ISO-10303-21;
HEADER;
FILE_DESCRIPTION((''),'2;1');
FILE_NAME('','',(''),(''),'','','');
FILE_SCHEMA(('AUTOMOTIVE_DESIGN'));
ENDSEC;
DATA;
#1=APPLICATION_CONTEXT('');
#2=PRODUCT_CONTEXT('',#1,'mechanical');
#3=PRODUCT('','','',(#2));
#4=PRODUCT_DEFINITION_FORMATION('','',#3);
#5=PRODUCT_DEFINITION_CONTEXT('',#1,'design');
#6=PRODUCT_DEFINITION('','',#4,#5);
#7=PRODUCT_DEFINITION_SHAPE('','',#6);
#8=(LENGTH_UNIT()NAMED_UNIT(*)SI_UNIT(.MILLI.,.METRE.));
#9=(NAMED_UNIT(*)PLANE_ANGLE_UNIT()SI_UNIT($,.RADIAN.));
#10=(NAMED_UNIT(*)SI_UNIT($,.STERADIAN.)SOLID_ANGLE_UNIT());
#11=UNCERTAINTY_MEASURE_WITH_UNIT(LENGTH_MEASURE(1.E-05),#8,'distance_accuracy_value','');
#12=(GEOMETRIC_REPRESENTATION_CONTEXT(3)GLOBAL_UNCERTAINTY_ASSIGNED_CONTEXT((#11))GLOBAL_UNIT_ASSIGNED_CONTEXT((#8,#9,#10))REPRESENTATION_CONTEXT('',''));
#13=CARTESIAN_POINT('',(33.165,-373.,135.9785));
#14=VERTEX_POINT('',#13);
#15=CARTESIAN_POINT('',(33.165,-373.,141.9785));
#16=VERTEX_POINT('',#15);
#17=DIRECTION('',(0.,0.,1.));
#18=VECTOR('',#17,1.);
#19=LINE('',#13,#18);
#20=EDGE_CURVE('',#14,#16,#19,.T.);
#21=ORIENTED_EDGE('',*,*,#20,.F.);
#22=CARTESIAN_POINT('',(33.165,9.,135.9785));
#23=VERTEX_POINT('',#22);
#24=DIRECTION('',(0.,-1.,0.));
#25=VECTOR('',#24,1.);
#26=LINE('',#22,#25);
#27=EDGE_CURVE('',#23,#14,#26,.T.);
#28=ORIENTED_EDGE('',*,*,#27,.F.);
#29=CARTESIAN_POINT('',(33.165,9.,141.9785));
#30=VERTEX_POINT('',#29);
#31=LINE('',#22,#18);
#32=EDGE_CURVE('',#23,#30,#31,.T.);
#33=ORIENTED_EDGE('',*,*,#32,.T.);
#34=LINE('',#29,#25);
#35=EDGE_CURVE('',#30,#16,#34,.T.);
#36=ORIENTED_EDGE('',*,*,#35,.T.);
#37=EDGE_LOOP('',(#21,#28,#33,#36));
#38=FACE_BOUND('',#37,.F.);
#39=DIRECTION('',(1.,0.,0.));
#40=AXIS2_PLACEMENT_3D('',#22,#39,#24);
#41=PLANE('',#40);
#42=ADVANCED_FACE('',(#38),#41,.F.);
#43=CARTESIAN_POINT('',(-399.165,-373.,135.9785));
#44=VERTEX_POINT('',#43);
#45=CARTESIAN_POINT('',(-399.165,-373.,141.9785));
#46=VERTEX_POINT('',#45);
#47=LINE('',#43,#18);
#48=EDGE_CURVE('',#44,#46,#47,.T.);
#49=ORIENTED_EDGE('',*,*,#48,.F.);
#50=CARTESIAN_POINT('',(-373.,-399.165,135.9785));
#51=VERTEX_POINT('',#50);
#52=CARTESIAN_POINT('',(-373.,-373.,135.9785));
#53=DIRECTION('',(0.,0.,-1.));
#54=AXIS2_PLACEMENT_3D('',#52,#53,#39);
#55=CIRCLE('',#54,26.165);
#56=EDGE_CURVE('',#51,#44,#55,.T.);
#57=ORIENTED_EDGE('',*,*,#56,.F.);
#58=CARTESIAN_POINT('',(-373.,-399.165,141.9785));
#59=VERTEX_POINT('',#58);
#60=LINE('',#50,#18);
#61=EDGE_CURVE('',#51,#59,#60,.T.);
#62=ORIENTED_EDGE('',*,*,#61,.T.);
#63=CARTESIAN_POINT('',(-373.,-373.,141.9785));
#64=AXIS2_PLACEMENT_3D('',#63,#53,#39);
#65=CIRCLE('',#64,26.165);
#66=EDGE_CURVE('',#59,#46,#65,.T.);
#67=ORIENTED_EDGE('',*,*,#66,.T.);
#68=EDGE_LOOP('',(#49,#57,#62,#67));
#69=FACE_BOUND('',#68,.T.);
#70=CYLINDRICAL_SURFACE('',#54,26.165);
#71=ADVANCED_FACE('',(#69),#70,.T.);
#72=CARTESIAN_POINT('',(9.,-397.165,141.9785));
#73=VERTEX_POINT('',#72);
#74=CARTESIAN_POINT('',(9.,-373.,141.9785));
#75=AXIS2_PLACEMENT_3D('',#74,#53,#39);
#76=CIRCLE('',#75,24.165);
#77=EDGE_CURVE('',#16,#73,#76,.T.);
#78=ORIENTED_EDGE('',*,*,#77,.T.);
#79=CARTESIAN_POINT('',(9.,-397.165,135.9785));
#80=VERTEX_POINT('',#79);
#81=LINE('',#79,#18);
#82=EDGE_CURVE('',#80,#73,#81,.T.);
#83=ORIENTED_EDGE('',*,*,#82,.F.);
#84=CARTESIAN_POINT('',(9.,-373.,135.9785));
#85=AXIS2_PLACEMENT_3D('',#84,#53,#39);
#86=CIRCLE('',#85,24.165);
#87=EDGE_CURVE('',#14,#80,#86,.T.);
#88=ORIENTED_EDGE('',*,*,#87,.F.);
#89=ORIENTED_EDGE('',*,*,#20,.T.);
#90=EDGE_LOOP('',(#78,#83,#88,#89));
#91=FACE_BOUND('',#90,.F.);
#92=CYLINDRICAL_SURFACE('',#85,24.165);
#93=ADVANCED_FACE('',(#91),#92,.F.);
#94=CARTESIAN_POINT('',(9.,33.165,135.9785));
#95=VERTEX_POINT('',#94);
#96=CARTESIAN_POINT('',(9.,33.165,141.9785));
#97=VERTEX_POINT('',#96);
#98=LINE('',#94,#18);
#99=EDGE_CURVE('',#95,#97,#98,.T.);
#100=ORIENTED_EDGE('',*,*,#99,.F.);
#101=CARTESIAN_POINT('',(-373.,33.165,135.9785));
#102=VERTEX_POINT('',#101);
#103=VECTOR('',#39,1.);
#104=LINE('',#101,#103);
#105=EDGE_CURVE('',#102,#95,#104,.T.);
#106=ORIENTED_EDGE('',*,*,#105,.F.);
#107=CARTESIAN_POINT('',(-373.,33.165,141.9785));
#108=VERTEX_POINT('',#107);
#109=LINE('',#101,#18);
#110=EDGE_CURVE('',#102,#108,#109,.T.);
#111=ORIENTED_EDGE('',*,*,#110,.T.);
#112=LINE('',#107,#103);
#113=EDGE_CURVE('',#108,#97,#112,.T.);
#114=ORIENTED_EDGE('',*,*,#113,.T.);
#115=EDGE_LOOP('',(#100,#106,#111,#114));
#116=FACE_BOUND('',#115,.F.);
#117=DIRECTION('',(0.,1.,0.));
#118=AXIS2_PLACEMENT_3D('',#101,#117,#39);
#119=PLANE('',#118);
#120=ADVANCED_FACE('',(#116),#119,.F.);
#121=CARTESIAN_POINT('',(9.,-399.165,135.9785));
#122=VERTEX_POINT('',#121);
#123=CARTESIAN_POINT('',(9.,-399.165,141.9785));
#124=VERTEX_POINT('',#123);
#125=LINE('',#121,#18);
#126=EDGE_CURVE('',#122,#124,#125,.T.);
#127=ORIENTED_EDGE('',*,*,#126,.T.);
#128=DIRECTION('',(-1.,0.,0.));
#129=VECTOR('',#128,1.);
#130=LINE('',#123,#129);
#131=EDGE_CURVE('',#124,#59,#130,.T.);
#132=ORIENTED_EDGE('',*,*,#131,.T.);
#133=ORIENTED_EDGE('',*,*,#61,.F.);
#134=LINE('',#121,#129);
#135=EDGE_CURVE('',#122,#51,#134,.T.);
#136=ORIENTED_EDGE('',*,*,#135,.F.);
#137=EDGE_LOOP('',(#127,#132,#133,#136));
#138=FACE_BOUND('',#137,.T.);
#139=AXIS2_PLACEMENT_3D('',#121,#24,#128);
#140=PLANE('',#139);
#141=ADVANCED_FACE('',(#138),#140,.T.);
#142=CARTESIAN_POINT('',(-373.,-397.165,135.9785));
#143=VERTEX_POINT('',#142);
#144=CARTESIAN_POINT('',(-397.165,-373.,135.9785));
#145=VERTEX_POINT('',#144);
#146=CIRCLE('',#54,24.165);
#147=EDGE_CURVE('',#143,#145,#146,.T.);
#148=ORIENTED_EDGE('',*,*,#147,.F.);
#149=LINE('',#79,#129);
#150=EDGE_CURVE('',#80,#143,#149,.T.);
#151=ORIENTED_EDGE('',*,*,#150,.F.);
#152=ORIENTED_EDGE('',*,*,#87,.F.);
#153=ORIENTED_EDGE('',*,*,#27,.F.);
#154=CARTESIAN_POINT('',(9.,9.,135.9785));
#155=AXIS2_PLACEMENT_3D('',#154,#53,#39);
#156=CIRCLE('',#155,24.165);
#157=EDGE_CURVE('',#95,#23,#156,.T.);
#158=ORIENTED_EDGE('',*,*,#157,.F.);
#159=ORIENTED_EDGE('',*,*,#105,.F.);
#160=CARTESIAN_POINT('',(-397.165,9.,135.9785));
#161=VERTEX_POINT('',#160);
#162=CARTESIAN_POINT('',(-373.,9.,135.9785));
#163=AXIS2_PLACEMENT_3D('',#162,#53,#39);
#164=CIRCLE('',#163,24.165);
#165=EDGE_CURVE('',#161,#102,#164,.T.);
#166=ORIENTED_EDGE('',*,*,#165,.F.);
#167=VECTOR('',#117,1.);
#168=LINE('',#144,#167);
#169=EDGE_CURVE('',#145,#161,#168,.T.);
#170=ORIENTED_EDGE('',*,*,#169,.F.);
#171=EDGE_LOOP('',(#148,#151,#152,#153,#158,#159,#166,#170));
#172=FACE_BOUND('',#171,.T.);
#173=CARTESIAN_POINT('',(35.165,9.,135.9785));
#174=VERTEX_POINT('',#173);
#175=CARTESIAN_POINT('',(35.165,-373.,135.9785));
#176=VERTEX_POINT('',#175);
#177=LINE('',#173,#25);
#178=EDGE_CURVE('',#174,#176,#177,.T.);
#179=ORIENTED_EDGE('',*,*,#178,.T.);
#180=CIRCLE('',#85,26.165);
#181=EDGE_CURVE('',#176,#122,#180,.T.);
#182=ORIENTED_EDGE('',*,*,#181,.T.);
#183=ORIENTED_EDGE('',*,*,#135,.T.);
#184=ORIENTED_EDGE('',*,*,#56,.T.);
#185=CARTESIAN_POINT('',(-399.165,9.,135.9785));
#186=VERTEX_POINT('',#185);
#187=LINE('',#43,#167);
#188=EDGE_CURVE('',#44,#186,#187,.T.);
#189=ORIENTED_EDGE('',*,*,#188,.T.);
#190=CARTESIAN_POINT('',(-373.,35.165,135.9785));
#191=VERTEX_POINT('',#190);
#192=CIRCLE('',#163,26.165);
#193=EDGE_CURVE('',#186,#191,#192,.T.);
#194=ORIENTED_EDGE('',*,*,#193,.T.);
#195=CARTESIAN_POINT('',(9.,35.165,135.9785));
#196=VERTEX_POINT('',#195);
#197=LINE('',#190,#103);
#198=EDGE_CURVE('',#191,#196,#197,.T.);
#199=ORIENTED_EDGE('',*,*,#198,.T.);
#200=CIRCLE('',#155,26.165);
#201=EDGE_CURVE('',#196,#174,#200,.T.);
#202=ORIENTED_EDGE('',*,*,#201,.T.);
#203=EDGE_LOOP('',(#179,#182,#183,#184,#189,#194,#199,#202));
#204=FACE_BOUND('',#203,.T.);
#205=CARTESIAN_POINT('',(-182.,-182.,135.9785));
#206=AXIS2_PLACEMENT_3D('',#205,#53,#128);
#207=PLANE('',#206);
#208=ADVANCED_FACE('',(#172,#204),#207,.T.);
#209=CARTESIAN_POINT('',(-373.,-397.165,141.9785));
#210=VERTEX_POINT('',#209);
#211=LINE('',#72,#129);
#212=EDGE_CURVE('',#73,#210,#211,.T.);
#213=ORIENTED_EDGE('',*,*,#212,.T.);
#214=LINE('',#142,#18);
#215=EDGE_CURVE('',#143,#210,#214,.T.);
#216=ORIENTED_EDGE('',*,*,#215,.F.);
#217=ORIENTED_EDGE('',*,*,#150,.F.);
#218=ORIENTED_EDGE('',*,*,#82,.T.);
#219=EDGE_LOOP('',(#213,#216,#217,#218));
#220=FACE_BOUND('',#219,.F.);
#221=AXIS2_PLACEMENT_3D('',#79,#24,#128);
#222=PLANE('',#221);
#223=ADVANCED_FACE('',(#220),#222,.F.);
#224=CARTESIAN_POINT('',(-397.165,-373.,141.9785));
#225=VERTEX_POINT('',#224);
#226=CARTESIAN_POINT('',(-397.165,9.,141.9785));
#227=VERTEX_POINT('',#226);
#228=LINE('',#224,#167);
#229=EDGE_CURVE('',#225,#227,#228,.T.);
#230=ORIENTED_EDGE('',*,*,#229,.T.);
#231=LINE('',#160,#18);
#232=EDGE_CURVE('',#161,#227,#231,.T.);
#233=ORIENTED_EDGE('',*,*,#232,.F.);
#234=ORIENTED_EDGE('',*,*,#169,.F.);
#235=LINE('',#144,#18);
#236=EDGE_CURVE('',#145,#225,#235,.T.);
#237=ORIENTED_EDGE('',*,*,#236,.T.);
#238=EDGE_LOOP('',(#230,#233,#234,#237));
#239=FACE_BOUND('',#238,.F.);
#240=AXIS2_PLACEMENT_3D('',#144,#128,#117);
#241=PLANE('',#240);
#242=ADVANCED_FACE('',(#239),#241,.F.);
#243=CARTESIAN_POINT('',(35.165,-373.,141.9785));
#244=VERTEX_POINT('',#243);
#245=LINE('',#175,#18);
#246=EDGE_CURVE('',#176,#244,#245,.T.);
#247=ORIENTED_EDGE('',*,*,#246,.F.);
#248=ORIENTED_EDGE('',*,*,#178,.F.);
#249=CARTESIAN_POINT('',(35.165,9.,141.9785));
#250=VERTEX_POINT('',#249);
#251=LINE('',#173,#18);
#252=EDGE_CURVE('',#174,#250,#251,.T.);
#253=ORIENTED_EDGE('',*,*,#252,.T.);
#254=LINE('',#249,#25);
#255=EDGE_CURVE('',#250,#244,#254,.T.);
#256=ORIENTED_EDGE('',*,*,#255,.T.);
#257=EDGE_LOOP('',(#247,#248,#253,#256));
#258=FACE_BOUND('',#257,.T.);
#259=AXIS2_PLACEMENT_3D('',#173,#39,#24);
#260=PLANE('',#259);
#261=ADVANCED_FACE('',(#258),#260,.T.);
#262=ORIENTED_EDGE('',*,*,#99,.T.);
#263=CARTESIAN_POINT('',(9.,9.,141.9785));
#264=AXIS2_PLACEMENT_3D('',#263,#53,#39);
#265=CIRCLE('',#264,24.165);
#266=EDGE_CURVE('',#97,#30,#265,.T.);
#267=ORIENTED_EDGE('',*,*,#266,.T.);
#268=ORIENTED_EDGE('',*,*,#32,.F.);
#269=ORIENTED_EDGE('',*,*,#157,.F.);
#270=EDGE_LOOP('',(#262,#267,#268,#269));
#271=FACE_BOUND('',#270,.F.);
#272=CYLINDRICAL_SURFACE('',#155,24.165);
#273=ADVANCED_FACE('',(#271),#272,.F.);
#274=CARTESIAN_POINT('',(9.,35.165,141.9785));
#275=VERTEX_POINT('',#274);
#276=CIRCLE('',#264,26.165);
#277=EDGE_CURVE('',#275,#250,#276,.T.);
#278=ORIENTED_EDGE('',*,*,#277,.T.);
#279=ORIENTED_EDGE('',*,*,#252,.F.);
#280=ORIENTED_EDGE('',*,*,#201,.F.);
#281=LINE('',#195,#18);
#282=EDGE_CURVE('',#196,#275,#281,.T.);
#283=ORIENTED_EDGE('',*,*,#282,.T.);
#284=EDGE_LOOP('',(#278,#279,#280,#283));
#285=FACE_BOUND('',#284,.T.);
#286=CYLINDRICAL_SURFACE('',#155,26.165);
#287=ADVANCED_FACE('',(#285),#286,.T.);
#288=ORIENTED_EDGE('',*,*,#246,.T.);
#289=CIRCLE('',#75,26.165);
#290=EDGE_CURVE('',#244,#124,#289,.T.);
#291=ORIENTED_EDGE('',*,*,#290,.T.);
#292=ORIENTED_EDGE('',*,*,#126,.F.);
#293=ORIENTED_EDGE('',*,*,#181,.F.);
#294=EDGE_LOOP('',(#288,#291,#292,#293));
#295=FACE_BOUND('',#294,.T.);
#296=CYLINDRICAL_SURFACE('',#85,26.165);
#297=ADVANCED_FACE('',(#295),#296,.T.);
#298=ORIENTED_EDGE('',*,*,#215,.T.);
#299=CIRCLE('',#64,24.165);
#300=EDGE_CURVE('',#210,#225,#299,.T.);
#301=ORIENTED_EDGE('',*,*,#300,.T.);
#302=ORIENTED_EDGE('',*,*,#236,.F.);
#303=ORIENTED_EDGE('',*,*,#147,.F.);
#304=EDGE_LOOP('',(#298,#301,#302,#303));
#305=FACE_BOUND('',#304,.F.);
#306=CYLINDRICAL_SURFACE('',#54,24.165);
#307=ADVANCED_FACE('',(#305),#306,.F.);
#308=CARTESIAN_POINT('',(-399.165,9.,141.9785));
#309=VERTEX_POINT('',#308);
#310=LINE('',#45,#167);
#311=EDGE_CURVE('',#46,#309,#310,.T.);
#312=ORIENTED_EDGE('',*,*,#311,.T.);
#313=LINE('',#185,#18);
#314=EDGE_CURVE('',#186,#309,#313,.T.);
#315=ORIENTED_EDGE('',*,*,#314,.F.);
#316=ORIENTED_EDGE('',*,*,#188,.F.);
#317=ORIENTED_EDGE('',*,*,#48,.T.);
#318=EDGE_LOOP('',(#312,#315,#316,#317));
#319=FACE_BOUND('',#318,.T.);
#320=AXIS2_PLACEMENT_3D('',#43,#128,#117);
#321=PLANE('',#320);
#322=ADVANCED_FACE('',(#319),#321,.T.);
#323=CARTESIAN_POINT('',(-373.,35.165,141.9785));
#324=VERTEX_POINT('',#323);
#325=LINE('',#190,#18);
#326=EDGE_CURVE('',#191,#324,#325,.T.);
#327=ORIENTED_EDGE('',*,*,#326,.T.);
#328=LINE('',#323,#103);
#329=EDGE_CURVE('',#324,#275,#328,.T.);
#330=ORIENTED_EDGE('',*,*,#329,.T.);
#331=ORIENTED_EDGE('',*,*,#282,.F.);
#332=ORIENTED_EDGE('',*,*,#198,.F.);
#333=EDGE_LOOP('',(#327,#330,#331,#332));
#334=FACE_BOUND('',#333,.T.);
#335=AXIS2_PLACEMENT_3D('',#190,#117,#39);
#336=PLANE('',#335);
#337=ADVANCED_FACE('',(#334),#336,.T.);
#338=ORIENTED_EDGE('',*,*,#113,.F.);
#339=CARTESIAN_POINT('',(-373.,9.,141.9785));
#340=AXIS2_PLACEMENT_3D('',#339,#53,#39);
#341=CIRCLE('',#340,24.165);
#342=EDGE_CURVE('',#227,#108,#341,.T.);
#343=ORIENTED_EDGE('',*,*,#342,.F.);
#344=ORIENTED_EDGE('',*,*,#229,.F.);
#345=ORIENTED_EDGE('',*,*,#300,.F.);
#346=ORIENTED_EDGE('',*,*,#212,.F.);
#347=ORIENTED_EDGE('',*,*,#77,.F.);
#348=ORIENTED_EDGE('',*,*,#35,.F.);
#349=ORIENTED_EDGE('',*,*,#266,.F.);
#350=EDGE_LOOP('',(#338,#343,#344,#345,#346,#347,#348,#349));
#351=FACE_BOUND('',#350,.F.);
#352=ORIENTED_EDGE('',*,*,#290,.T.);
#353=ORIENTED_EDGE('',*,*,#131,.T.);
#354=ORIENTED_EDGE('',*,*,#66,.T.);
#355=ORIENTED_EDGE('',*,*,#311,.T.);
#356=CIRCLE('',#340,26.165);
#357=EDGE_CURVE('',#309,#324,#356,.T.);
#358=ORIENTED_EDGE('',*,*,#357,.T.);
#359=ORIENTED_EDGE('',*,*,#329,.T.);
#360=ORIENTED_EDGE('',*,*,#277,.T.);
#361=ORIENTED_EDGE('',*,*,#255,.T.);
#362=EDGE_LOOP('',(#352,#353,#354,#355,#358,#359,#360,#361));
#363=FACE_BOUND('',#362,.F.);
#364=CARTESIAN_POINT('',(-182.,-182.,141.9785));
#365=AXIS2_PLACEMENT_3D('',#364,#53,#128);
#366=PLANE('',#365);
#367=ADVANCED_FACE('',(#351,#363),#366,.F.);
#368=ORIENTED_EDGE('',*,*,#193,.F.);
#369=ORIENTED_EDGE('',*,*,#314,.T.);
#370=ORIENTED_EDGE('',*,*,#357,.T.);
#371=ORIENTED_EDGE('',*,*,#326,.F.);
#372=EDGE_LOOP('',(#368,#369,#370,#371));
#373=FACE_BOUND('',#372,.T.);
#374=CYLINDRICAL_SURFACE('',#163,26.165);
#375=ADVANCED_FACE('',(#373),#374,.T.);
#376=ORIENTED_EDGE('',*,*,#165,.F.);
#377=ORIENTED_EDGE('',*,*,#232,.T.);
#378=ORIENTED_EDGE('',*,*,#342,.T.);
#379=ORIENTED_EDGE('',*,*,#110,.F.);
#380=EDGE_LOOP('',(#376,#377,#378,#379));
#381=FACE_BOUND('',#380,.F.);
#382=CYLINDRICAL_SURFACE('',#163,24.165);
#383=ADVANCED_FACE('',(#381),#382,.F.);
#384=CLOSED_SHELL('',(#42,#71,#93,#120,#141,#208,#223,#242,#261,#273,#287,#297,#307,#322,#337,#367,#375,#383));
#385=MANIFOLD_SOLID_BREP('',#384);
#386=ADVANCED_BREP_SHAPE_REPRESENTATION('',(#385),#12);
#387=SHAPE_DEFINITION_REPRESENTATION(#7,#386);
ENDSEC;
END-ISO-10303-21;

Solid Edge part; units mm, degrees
sketch "Sketch1" plane through (0, 0, 135.9785) normal (0, 0, 1) x (1, 0, 0)
  line L0 (35.165, 9) -> (35.165, -373)
  arc A0 (35.165, -373) -> (9, -399.165) centre (9, -373) cw
  line L1 (9, -399.165) -> (-373, -399.165)
  arc A1 (-373, -399.165) -> (-399.165, -373) centre (-373, -373) cw
  line L2 (-399.165, -373) -> (-399.165, 9)
  arc A2 (-399.165, 9) -> (-373, 35.165) centre (-373, 9) cw
  line L3 (-373, 35.165) -> (9, 35.165)
  arc A3 (9, 35.165) -> (35.165, 9) centre (9, 9) cw
  line L4 (33.165, 9) -> (33.165, -373)
  line L5 (9, -397.165) -> (-373, -397.165)
  line L6 (-397.165, -373) -> (-397.165, 9)
  line L7 (-373, 33.165) -> (9, 33.165)
  arc A4 (33.165, -373) -> (9, -397.165) centre (9, -373) cw
  arc A5 (-373, -397.165) -> (-397.165, -373) centre (-373, -373) cw
  arc A6 (-397.165, 9) -> (-373, 33.165) centre (-373, 9) cw
  arc A7 (9, 33.165) -> (33.165, 9) centre (9, 9) cw
extrude "Protrusion1" add sketch "Sketch1" along normal blind 6
properties material "Polyurethene"
